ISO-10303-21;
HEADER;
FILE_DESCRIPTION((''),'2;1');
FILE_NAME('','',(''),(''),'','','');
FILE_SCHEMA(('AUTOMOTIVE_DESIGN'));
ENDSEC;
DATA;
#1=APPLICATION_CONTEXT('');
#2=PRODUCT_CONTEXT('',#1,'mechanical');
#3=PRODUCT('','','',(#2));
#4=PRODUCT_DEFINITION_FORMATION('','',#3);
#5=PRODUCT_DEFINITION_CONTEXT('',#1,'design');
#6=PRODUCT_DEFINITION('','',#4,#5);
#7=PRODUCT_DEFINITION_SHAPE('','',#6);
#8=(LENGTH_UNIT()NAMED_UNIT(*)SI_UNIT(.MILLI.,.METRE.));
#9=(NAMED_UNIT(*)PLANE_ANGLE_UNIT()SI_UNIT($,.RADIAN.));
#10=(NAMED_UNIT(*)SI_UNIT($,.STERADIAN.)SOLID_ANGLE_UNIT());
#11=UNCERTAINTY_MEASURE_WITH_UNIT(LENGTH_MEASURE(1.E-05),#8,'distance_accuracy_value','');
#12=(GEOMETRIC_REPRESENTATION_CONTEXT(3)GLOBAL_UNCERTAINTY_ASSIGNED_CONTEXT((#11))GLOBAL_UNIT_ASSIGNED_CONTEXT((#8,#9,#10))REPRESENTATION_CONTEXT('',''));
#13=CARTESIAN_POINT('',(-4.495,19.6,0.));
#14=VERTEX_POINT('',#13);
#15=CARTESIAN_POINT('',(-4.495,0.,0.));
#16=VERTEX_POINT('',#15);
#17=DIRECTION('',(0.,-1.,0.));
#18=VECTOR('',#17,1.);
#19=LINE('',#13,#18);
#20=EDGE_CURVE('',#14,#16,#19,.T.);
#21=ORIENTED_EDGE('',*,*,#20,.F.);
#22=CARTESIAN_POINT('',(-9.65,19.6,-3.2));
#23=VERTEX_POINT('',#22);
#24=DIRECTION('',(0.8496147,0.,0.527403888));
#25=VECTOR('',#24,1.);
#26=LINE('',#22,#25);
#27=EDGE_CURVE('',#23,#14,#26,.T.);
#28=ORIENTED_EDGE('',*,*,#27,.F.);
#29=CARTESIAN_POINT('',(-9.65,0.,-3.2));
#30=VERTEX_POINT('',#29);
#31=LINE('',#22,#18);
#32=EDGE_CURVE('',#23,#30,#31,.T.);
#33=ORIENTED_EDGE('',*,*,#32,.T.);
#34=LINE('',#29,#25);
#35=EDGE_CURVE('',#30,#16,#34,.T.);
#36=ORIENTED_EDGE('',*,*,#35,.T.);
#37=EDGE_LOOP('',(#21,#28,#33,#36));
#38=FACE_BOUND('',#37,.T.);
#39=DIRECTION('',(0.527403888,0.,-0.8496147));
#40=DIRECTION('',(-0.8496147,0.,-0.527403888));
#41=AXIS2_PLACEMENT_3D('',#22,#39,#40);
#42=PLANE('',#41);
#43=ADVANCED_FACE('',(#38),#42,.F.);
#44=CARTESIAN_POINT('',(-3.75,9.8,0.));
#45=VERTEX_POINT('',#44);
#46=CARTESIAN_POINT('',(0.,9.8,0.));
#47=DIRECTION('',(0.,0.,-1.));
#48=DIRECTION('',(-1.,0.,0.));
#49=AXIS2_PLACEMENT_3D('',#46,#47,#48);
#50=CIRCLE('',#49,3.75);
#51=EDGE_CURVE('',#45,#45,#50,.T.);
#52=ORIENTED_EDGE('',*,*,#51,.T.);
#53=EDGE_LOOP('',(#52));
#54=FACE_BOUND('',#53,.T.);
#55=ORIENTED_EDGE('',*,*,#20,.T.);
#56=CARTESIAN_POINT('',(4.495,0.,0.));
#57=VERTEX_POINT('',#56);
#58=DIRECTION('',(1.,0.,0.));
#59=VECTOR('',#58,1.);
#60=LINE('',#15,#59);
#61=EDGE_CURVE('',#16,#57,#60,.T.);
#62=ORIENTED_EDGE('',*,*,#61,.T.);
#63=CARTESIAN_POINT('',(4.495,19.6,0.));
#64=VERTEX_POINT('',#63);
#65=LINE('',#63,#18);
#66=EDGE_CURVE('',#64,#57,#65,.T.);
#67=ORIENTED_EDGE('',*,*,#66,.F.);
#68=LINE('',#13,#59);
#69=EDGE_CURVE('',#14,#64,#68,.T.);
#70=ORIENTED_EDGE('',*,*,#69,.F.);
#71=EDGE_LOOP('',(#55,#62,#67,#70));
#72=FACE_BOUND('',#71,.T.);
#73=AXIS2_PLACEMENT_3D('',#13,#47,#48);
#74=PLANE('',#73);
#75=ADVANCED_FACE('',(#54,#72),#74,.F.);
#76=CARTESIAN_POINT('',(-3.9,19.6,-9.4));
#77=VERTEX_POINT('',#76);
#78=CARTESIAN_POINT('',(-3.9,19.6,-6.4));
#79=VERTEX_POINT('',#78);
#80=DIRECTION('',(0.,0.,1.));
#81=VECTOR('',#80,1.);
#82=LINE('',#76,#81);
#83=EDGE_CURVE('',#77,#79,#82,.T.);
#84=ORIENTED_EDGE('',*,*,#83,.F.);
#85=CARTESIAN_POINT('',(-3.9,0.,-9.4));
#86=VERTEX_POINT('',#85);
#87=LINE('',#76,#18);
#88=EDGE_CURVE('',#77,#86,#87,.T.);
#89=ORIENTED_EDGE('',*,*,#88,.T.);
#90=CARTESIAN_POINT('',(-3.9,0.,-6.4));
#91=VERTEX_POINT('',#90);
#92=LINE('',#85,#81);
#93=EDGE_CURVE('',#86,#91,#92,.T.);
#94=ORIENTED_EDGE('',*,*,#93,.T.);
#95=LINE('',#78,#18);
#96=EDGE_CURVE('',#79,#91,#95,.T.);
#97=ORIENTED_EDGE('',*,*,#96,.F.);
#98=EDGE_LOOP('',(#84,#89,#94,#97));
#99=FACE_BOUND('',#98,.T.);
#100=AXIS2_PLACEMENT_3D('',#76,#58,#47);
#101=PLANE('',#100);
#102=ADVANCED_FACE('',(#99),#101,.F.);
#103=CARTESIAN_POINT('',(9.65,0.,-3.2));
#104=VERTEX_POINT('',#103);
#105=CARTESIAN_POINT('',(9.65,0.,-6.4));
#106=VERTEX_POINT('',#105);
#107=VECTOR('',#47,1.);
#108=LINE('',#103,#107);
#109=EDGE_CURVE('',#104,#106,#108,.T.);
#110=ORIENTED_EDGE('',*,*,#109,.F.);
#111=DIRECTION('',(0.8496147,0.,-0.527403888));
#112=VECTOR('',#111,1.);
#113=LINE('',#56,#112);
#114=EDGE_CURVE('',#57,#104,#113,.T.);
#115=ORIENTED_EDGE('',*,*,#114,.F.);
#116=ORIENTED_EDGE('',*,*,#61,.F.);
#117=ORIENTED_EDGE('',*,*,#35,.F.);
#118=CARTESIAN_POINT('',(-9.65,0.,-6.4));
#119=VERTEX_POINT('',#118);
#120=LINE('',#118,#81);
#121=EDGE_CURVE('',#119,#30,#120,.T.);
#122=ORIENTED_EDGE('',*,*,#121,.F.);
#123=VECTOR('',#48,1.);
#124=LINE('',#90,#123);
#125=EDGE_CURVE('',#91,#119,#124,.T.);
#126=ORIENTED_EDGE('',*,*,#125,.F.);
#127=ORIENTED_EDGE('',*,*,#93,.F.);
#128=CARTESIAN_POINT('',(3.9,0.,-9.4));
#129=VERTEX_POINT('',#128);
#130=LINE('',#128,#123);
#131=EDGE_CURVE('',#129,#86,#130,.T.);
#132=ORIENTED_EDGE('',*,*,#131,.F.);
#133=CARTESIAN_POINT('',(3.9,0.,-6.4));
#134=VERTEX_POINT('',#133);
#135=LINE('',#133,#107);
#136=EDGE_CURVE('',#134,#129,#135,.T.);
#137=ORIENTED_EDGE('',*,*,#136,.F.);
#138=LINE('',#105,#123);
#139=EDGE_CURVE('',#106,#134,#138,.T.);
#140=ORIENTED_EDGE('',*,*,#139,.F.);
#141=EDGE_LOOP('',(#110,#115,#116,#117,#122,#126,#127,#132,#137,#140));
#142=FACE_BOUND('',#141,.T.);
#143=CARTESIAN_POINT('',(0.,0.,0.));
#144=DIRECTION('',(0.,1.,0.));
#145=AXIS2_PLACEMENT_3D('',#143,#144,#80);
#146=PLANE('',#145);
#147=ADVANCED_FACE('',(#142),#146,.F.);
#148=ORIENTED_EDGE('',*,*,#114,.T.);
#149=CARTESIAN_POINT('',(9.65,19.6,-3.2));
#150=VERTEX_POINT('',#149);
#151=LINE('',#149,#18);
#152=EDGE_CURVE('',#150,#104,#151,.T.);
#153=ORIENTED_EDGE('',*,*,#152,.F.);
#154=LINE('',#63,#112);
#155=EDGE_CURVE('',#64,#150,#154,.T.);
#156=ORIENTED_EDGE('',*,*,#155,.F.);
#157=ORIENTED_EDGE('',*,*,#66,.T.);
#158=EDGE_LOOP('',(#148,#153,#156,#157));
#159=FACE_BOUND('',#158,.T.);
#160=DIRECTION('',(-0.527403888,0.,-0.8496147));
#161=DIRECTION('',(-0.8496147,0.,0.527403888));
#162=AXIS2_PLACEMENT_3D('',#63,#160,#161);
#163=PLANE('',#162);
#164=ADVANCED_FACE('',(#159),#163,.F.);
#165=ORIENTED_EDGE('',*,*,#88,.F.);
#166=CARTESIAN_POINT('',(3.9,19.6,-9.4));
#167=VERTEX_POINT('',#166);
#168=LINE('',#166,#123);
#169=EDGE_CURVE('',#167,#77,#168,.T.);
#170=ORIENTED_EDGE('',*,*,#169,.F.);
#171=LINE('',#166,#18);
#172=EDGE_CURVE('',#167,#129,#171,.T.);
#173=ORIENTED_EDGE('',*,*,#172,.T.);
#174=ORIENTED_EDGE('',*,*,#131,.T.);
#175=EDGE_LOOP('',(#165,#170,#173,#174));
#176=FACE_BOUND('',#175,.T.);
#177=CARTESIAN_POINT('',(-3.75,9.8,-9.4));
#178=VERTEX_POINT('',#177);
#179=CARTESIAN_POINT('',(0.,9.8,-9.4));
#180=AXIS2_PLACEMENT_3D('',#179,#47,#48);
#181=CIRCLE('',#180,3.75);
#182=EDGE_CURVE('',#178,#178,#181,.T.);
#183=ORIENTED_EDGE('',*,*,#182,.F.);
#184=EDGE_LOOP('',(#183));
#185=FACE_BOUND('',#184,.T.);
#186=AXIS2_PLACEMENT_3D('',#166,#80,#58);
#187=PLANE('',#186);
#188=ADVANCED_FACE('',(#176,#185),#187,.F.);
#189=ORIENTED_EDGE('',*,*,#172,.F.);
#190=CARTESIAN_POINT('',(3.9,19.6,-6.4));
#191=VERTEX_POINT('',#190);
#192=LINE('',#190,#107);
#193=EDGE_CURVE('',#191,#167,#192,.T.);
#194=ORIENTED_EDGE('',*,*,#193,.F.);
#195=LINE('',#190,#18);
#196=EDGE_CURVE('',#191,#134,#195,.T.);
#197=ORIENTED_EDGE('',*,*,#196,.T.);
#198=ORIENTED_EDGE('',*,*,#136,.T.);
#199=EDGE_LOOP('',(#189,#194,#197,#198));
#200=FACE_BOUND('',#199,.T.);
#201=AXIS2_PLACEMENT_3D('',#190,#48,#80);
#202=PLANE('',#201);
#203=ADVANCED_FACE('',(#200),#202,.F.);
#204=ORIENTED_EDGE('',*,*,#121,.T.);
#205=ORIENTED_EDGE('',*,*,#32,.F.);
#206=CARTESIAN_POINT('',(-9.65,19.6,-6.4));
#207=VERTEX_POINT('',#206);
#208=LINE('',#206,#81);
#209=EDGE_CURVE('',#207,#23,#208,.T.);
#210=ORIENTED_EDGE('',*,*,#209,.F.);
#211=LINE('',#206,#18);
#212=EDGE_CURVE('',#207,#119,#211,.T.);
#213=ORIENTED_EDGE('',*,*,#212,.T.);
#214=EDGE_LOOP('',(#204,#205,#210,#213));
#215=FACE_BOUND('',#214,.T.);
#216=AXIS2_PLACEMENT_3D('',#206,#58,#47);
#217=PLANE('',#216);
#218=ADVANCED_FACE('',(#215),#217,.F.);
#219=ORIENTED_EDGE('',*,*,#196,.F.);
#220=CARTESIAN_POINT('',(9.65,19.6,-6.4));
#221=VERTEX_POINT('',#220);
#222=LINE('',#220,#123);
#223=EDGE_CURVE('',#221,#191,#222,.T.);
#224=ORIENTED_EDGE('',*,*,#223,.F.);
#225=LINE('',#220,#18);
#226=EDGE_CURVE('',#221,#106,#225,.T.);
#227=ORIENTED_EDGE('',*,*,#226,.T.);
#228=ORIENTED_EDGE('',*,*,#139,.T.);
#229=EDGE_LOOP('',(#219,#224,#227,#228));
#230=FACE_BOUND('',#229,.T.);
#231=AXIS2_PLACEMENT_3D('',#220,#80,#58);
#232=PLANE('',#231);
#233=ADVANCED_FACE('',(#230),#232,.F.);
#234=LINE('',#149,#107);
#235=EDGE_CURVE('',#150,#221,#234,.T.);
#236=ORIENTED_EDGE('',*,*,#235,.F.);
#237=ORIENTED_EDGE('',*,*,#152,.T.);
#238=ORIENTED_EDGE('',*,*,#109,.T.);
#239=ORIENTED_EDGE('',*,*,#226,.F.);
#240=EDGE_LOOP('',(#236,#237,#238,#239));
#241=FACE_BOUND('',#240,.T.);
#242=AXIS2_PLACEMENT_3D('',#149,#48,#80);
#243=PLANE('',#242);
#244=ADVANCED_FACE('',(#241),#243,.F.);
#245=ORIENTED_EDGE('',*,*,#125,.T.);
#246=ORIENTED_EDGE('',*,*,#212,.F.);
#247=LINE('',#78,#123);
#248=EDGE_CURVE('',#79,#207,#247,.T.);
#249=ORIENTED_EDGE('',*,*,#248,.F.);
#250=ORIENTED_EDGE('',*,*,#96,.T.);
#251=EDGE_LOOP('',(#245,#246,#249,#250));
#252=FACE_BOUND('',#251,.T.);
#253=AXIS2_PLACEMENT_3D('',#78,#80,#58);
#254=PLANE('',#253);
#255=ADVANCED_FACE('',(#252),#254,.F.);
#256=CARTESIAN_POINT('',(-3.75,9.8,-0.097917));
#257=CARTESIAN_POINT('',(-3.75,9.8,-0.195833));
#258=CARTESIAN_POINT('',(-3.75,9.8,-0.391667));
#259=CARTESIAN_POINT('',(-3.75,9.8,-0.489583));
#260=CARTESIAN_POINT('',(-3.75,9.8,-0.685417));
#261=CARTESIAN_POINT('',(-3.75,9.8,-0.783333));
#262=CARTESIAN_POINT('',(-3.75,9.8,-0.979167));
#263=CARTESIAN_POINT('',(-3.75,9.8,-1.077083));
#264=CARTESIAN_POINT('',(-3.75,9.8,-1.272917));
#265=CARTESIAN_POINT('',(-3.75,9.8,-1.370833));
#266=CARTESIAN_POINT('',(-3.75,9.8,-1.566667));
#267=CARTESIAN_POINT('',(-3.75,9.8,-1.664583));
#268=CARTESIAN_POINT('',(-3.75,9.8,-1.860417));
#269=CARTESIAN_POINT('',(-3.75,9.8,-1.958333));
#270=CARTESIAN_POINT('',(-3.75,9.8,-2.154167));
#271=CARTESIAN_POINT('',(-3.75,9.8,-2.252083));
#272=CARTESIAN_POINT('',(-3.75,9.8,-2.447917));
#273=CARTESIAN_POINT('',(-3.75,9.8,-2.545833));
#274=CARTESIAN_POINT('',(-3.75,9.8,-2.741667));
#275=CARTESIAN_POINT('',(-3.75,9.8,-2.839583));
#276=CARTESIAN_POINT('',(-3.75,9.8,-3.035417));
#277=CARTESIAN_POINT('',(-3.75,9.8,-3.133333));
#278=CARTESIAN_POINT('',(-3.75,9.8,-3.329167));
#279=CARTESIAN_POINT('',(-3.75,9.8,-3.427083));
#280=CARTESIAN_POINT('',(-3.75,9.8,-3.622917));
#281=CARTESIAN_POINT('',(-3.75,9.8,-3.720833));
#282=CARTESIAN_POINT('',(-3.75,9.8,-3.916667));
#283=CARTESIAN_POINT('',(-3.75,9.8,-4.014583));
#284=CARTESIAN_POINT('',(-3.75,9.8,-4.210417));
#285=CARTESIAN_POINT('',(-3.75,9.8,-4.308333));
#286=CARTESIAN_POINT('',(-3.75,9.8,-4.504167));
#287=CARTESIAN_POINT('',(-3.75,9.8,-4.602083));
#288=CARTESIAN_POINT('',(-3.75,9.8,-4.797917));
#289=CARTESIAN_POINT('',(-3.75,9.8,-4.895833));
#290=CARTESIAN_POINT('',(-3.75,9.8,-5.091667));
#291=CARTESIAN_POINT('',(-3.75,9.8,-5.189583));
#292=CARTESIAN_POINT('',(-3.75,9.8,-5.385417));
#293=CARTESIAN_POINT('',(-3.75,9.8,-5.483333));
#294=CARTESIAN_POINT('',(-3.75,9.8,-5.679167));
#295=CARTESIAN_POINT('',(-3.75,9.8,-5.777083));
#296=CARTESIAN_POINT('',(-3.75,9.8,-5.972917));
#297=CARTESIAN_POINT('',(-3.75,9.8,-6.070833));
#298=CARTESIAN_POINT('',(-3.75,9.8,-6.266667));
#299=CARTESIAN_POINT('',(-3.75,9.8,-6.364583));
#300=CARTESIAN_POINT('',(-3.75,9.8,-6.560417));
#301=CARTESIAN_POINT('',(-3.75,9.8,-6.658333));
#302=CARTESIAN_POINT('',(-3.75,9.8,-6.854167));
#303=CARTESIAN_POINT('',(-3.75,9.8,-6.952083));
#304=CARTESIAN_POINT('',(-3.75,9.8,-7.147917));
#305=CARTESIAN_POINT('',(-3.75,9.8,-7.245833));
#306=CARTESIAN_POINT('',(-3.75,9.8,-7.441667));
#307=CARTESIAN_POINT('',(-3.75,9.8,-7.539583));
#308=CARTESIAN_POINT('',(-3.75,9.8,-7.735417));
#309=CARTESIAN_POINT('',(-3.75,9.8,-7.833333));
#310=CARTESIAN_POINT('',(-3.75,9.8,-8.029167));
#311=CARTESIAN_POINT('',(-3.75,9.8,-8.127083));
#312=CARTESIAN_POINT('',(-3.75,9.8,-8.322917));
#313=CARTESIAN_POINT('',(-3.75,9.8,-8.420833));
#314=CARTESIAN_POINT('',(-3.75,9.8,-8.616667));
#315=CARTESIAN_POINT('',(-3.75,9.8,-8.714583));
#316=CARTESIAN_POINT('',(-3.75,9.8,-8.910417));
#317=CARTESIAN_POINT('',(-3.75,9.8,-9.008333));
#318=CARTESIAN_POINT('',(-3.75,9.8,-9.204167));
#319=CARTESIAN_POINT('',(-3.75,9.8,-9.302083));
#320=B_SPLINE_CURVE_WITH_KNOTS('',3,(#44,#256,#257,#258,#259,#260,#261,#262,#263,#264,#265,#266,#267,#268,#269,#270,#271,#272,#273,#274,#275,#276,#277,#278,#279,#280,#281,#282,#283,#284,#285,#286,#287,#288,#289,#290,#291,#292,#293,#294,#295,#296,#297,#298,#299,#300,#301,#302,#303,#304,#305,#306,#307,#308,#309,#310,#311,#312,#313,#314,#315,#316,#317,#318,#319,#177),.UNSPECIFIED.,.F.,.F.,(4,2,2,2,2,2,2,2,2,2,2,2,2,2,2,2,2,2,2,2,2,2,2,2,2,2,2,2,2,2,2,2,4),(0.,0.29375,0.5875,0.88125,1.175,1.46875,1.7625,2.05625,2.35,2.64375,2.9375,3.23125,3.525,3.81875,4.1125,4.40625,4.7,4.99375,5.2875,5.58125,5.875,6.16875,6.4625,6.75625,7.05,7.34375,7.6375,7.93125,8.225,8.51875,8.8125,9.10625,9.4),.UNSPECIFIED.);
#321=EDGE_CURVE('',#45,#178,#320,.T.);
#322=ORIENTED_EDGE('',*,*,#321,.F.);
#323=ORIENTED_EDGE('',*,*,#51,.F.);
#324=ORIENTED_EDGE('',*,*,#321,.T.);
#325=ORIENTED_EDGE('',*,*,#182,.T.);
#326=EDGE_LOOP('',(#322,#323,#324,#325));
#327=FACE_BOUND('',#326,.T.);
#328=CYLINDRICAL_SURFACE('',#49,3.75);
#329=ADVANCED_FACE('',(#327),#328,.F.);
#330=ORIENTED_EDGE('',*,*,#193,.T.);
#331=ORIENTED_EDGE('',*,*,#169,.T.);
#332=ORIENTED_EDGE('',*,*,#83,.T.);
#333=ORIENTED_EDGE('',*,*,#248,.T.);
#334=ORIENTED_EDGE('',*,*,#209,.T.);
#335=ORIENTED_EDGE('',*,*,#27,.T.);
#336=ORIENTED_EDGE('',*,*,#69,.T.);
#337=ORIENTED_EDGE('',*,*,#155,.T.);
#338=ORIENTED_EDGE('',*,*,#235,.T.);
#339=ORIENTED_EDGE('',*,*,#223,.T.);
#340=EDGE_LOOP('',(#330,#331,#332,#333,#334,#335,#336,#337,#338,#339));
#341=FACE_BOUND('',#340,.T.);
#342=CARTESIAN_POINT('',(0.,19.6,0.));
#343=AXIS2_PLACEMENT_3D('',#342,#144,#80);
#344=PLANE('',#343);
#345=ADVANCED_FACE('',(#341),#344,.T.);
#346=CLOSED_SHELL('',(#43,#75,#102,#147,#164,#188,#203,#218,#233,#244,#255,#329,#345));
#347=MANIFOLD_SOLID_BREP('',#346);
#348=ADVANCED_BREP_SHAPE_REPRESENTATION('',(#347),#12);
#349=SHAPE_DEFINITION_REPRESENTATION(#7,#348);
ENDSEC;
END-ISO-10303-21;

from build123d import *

# Parameters (mm, degrees)
EXTRUDE_1_DEPTH     = 19.6
SKETCH_2_R          = 3.75
CUT_EXTRUDE_1_DEPTH = 24.783239897


with BuildPart() as part:
    # 草图1 → 凸台-拉伸1 (new body)
    with BuildSketch(Plane(origin=(0, 0, 0), x_dir=(1, 0, 0), z_dir=(0, 1, 0))):
        Polygon((-4.495, 0), (4.495, 0), (9.65, 3.2), (9.65, 6.4), (3.9, 6.4), (3.9, 9.4), (-3.9, 9.4), (-3.9, 6.4), (-9.65, 6.4), (-9.65, 3.2), align=None)
    extrude(amount=EXTRUDE_1_DEPTH)

    # 草图2 → 切除-拉伸1 (cut, through all)
    with BuildSketch(Plane(origin=(0, 0, -9.4), x_dir=(-1, 0, 0), z_dir=(0, 0, -1))):
        with Locations((0, 9.8)):
            Circle(SKETCH_2_R)
    extrude(amount=-CUT_EXTRUDE_1_DEPTH, mode=Mode.SUBTRACT)


solid = part.part
